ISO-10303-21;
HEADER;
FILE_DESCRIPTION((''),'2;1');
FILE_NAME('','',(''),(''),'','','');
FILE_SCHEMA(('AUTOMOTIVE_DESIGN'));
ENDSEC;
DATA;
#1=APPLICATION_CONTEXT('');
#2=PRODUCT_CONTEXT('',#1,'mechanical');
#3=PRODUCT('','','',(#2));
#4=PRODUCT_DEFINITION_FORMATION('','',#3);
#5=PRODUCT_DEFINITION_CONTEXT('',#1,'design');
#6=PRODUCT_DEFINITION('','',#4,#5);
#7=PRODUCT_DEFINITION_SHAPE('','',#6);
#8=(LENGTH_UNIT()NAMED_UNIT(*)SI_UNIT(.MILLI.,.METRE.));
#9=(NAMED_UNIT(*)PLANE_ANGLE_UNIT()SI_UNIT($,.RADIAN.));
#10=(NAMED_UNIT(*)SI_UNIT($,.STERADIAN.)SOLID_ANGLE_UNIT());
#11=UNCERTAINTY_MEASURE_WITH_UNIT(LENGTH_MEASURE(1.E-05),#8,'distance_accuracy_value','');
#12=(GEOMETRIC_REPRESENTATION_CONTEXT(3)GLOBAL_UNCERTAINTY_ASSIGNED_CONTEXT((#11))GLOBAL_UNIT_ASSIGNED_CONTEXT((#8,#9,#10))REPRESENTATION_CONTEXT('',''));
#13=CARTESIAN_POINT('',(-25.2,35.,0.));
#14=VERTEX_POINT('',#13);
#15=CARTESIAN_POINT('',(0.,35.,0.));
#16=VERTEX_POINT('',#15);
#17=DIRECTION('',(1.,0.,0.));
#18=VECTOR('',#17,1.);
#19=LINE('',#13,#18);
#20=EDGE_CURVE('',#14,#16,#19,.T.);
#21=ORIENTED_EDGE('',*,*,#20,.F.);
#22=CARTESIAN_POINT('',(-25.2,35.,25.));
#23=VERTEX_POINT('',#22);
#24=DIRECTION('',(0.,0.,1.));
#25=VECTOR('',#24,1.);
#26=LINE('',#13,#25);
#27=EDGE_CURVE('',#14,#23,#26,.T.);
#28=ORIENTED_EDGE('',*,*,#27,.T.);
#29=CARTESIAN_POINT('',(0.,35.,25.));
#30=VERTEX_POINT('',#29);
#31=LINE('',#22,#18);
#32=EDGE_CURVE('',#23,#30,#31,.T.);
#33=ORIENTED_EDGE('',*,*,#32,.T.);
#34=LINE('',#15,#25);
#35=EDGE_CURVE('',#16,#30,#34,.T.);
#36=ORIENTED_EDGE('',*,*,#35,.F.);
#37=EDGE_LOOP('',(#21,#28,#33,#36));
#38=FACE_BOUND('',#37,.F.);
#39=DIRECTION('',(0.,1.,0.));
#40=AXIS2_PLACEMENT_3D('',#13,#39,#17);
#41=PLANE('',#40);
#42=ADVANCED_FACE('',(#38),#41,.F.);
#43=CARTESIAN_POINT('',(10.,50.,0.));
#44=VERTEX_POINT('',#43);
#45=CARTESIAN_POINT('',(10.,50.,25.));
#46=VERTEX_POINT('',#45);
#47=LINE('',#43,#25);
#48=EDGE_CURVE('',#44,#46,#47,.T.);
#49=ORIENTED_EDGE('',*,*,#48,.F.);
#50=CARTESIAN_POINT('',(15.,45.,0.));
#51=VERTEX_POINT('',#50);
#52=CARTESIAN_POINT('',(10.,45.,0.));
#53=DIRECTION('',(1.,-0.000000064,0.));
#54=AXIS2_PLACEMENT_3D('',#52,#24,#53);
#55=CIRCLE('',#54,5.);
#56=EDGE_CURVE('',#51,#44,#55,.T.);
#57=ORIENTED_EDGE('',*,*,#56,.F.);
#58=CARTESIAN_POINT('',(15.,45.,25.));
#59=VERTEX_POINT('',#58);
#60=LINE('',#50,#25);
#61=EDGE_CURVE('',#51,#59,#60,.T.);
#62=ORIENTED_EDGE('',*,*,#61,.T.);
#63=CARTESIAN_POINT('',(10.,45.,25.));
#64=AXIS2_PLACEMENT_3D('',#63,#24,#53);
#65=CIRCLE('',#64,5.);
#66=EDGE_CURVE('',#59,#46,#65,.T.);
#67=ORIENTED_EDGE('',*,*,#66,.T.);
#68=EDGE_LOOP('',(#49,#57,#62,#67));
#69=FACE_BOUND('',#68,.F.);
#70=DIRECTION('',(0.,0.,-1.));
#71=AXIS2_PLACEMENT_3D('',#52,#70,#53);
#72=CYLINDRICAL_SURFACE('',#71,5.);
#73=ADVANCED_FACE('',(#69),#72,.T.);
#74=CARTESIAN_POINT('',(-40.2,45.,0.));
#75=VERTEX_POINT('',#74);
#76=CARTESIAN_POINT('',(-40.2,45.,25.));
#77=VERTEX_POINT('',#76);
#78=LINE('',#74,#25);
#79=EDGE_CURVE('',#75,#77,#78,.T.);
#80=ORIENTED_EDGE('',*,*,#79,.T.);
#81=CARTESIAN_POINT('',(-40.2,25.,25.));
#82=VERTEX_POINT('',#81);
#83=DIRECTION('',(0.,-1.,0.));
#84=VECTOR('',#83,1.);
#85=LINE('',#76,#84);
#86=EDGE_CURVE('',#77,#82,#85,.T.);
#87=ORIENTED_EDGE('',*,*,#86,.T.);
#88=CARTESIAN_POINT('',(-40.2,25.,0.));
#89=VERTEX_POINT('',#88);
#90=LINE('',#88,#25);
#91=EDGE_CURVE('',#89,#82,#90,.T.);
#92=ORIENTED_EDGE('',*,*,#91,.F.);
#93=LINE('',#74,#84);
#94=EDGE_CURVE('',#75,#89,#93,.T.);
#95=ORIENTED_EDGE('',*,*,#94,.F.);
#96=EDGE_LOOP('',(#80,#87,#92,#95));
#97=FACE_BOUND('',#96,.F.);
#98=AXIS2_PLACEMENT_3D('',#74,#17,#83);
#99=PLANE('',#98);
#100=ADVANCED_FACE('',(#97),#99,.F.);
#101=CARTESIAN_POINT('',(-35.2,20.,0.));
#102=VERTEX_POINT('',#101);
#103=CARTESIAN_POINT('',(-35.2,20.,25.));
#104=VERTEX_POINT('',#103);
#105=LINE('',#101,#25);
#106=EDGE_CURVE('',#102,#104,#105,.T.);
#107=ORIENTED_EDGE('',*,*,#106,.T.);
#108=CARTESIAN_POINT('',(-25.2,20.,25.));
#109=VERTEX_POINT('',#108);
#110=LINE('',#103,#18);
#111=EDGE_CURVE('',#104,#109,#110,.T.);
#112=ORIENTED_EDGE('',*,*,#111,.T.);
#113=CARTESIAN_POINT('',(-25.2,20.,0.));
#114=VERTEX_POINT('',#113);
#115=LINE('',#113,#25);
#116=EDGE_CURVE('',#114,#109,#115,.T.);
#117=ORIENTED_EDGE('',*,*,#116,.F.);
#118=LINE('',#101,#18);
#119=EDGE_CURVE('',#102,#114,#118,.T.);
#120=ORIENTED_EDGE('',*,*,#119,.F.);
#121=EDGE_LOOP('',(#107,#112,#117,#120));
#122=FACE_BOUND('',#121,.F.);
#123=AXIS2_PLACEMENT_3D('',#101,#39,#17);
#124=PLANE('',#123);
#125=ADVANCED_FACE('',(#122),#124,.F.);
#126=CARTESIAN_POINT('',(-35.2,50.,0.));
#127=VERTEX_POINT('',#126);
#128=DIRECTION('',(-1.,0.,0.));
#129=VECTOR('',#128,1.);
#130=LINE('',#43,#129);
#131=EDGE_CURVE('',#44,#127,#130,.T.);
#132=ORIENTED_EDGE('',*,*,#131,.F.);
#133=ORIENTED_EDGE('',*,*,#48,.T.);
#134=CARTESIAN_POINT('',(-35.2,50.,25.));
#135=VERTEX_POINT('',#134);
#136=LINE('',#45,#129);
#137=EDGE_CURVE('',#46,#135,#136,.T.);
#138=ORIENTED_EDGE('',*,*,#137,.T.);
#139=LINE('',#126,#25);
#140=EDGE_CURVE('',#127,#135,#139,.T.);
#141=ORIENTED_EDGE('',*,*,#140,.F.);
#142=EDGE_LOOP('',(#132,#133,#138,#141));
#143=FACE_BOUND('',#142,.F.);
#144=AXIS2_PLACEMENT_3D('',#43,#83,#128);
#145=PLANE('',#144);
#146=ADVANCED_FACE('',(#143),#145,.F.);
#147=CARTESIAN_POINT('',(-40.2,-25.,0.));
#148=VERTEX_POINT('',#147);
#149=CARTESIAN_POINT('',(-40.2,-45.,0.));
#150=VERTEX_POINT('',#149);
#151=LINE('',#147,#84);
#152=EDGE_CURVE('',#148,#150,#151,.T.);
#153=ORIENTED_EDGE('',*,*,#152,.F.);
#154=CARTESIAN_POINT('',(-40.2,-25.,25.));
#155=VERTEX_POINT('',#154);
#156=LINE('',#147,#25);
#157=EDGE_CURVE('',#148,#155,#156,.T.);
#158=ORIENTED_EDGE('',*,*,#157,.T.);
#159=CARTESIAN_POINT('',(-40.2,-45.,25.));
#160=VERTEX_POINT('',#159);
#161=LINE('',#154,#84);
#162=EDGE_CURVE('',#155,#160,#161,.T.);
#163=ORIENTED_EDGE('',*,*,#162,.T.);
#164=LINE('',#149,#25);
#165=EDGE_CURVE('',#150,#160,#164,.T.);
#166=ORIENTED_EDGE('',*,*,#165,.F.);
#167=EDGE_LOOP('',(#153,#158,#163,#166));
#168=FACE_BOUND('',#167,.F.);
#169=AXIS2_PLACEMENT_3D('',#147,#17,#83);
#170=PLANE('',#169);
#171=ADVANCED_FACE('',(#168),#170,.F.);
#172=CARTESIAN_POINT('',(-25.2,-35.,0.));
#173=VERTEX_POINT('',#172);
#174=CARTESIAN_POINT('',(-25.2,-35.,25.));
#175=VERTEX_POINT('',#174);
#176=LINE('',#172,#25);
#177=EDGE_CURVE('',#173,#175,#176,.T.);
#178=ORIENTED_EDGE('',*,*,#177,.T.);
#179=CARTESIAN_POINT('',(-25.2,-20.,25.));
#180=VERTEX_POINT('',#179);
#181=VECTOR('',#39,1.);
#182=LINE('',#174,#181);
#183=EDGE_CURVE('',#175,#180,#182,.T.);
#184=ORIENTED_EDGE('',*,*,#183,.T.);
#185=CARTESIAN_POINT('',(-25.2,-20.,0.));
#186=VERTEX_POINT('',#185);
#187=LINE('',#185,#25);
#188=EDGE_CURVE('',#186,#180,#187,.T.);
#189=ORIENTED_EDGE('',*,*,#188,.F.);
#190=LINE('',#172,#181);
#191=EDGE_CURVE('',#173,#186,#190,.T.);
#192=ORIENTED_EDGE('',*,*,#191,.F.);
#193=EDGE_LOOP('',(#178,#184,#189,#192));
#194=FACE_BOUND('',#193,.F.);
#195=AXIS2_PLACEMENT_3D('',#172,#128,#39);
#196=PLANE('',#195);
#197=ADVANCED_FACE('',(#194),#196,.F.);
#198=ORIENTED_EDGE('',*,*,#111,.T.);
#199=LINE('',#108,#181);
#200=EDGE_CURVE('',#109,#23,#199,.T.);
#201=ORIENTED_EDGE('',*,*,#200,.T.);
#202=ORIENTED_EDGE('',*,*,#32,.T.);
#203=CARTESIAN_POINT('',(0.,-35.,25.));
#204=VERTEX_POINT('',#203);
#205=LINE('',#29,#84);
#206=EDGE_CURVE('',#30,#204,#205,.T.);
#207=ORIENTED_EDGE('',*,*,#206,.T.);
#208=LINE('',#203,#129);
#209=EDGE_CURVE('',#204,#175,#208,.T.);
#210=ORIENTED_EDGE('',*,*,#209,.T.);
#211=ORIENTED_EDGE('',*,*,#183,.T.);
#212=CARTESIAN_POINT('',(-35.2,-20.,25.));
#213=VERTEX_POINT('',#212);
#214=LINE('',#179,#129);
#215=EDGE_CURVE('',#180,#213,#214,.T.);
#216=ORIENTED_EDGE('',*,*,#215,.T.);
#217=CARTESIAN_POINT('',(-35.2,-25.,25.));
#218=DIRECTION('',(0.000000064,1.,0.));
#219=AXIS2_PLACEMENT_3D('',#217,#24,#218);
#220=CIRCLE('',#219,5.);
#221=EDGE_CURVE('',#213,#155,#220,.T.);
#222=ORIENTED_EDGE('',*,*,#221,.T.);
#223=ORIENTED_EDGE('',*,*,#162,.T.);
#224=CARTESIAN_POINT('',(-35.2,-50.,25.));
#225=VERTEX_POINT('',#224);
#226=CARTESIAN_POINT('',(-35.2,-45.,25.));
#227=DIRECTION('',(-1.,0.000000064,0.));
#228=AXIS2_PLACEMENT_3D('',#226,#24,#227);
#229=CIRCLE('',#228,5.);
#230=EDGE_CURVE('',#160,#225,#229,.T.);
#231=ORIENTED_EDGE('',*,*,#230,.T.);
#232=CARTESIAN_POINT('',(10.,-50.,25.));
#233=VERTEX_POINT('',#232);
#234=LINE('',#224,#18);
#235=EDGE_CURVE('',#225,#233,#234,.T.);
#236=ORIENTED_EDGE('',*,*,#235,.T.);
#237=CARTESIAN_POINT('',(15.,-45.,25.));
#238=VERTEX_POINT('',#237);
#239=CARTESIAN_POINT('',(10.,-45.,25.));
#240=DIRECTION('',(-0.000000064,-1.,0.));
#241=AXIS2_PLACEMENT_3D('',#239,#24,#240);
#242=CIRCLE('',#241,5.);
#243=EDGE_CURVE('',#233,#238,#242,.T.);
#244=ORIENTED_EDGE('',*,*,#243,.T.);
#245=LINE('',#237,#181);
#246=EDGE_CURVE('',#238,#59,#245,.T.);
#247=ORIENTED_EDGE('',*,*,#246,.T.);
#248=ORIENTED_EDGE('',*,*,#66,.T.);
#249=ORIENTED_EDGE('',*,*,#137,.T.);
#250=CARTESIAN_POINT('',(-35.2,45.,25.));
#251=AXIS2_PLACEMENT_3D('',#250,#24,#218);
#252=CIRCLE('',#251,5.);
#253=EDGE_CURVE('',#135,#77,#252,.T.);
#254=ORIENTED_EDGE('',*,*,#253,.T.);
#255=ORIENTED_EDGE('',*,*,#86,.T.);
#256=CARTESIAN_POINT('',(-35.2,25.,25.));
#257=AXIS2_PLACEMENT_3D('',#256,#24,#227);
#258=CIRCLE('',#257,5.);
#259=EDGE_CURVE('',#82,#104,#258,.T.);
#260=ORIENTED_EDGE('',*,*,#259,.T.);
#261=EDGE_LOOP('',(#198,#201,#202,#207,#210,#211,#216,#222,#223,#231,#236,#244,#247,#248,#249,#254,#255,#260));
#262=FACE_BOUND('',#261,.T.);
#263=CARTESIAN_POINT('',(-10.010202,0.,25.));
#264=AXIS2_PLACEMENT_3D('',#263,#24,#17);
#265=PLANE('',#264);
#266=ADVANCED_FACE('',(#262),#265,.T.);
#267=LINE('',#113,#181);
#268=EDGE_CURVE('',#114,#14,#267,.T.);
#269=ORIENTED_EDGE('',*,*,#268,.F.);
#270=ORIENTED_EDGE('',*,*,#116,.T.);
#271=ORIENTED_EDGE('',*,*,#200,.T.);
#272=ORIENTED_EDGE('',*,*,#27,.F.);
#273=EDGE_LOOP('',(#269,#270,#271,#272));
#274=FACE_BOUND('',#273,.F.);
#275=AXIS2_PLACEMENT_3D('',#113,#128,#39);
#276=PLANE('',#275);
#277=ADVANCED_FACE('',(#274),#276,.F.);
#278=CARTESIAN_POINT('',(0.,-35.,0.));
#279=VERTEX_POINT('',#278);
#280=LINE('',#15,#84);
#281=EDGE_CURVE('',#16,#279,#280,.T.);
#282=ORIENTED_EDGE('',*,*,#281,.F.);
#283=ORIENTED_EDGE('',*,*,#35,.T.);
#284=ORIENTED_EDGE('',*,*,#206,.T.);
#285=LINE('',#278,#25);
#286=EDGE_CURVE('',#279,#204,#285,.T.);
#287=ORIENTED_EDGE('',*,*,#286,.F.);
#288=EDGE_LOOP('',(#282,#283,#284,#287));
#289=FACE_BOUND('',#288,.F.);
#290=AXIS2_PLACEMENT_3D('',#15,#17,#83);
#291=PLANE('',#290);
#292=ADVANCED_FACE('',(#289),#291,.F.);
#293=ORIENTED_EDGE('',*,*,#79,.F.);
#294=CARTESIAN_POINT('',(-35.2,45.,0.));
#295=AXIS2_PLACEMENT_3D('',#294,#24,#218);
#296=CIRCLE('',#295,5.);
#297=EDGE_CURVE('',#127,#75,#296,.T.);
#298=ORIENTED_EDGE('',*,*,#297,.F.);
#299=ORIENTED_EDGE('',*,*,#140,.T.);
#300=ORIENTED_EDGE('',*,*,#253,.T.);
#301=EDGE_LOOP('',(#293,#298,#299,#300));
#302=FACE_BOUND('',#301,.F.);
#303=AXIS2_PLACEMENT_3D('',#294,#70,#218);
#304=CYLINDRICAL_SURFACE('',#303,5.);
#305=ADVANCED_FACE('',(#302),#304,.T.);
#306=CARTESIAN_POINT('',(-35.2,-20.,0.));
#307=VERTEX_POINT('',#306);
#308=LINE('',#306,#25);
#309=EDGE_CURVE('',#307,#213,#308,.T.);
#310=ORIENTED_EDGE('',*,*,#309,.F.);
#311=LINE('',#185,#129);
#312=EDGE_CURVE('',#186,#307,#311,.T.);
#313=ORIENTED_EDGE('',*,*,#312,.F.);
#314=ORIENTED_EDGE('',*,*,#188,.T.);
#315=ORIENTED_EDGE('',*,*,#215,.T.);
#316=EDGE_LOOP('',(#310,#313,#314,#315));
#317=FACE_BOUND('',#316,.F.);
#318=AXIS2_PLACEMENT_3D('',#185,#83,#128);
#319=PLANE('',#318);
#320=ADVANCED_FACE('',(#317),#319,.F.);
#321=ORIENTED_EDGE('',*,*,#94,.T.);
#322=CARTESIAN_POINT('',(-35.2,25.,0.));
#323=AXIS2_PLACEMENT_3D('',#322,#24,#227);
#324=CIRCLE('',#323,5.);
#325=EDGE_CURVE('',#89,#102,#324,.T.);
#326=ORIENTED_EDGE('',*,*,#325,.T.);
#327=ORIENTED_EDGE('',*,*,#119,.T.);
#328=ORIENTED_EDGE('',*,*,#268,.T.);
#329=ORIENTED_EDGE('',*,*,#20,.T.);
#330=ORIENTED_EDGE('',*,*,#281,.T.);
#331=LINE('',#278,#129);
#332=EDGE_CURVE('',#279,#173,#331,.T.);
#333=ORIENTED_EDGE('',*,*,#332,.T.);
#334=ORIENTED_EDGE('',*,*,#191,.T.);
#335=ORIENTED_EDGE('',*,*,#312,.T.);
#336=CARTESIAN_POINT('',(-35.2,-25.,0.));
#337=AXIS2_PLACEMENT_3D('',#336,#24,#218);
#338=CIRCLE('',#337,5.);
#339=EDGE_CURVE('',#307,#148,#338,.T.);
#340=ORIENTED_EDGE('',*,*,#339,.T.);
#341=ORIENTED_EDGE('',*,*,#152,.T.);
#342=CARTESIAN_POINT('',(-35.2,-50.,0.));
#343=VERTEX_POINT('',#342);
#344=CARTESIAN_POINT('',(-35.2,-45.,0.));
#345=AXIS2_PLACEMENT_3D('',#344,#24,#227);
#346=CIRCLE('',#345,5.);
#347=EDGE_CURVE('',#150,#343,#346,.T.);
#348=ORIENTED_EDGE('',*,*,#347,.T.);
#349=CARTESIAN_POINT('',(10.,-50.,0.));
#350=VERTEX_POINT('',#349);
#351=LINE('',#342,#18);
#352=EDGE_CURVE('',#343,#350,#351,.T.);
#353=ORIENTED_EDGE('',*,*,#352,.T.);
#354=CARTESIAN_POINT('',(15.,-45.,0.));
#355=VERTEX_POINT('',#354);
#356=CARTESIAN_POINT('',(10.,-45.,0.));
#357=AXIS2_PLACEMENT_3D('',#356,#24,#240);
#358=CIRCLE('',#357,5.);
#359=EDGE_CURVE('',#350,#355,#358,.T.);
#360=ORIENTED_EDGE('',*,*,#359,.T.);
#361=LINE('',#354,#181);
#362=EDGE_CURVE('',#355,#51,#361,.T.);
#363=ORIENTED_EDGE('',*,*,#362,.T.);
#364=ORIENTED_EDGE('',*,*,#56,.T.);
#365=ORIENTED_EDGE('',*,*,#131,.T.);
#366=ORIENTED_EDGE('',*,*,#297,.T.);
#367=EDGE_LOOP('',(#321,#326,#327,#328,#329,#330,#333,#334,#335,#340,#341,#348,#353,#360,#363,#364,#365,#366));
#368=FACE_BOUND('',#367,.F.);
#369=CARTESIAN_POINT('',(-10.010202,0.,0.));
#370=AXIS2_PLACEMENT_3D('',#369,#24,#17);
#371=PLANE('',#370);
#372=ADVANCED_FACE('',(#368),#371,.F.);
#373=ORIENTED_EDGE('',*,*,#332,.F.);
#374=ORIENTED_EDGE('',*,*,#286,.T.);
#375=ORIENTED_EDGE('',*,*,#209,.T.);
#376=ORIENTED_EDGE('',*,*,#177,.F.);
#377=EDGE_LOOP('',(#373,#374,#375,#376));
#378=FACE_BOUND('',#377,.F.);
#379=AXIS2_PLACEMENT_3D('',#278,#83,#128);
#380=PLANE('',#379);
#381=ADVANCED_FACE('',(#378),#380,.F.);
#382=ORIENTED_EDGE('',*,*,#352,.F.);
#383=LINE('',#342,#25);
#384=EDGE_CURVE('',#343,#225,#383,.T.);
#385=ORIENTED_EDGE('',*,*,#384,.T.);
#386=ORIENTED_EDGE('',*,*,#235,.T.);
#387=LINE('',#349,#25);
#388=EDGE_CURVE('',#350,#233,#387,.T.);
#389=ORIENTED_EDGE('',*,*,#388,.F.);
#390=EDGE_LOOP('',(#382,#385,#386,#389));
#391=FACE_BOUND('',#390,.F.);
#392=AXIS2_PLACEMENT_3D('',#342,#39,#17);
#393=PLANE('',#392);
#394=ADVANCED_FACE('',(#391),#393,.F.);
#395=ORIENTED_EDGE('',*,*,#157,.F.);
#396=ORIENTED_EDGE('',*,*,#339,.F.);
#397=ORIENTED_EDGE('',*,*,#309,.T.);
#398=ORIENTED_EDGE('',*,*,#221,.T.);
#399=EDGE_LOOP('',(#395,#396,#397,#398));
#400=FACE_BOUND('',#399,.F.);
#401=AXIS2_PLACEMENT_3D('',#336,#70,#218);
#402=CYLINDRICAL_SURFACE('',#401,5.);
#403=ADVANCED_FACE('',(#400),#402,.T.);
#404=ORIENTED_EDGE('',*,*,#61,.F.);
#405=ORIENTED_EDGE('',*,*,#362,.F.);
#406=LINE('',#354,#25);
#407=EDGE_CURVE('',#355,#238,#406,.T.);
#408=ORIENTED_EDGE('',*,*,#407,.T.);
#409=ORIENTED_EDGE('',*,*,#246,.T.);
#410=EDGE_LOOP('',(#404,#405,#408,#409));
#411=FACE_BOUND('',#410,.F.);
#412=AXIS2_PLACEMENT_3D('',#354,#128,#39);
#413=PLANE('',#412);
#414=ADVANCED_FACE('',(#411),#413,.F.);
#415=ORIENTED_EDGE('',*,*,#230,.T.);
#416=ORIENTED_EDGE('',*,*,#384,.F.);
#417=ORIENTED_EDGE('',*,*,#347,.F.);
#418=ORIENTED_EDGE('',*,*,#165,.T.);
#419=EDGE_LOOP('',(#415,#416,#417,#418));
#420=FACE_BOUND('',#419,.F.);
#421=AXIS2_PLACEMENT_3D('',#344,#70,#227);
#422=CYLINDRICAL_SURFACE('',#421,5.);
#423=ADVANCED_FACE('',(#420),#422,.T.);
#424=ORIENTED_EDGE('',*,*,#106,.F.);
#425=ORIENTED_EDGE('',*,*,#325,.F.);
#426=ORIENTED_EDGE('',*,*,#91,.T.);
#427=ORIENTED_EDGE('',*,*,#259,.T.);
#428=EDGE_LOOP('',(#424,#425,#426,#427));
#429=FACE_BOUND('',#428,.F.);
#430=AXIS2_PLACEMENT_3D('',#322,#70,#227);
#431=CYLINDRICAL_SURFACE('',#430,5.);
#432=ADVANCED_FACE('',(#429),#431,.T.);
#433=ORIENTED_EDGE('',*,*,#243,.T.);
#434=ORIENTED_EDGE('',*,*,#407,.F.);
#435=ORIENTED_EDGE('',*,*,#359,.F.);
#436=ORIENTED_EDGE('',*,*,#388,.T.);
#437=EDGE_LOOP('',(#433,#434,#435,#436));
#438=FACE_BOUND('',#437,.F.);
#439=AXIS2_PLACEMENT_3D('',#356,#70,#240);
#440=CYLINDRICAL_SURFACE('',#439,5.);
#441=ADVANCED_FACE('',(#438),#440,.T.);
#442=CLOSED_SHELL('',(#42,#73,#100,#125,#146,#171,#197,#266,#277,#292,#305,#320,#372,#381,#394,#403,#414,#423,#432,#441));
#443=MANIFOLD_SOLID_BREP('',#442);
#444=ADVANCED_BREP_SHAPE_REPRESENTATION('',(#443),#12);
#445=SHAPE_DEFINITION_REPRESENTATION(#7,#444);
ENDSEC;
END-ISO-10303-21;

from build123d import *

# Parameters (mm, degrees)
F1_DEPTH = 25


with BuildPart() as f1:
    # F0 (on Top) → F1 (new body)
    with BuildSketch(Plane.XY):
        with BuildLine():
            Line((0, 35), (0, 0))
            Line((0, 0), (0, -35))
            Line((0, -35), (-25.2, -35))
            Line((-25.2, -35), (-25.2, -20))
            Line((-25.2, -20), (-35.2, -20))
            ThreePointArc((-35.2, -20), (-38.735534, -21.464466), (-40.2, -25))
            Line((-40.2, -25), (-40.2, -45))
            ThreePointArc((-40.2, -45), (-38.735534, -48.535534), (-35.2, -50))
            Line((-35.2, -50), (10, -50))
            ThreePointArc((10, -50), (13.535534, -48.535534), (15, -45))
            Line((15, -45), (15, 0))
            Line((15, 0), (15, 45))
            ThreePointArc((15, 45), (13.535534, 48.535534), (10, 50))
            Line((10, 50), (-35.2, 50))
            ThreePointArc((-35.2, 50), (-38.735534, 48.535534), (-40.2, 45))
            Line((-40.2, 45), (-40.2, 25))
            ThreePointArc((-40.2, 25), (-38.735534, 21.464466), (-35.2, 20))
            Line((-35.2, 20), (-25.2, 20))
            Line((-25.2, 20), (-25.2, 35))
            Line((-25.2, 35), (0, 35))
        make_face()
    extrude(amount=F1_DEPTH)


solid = f1.part
